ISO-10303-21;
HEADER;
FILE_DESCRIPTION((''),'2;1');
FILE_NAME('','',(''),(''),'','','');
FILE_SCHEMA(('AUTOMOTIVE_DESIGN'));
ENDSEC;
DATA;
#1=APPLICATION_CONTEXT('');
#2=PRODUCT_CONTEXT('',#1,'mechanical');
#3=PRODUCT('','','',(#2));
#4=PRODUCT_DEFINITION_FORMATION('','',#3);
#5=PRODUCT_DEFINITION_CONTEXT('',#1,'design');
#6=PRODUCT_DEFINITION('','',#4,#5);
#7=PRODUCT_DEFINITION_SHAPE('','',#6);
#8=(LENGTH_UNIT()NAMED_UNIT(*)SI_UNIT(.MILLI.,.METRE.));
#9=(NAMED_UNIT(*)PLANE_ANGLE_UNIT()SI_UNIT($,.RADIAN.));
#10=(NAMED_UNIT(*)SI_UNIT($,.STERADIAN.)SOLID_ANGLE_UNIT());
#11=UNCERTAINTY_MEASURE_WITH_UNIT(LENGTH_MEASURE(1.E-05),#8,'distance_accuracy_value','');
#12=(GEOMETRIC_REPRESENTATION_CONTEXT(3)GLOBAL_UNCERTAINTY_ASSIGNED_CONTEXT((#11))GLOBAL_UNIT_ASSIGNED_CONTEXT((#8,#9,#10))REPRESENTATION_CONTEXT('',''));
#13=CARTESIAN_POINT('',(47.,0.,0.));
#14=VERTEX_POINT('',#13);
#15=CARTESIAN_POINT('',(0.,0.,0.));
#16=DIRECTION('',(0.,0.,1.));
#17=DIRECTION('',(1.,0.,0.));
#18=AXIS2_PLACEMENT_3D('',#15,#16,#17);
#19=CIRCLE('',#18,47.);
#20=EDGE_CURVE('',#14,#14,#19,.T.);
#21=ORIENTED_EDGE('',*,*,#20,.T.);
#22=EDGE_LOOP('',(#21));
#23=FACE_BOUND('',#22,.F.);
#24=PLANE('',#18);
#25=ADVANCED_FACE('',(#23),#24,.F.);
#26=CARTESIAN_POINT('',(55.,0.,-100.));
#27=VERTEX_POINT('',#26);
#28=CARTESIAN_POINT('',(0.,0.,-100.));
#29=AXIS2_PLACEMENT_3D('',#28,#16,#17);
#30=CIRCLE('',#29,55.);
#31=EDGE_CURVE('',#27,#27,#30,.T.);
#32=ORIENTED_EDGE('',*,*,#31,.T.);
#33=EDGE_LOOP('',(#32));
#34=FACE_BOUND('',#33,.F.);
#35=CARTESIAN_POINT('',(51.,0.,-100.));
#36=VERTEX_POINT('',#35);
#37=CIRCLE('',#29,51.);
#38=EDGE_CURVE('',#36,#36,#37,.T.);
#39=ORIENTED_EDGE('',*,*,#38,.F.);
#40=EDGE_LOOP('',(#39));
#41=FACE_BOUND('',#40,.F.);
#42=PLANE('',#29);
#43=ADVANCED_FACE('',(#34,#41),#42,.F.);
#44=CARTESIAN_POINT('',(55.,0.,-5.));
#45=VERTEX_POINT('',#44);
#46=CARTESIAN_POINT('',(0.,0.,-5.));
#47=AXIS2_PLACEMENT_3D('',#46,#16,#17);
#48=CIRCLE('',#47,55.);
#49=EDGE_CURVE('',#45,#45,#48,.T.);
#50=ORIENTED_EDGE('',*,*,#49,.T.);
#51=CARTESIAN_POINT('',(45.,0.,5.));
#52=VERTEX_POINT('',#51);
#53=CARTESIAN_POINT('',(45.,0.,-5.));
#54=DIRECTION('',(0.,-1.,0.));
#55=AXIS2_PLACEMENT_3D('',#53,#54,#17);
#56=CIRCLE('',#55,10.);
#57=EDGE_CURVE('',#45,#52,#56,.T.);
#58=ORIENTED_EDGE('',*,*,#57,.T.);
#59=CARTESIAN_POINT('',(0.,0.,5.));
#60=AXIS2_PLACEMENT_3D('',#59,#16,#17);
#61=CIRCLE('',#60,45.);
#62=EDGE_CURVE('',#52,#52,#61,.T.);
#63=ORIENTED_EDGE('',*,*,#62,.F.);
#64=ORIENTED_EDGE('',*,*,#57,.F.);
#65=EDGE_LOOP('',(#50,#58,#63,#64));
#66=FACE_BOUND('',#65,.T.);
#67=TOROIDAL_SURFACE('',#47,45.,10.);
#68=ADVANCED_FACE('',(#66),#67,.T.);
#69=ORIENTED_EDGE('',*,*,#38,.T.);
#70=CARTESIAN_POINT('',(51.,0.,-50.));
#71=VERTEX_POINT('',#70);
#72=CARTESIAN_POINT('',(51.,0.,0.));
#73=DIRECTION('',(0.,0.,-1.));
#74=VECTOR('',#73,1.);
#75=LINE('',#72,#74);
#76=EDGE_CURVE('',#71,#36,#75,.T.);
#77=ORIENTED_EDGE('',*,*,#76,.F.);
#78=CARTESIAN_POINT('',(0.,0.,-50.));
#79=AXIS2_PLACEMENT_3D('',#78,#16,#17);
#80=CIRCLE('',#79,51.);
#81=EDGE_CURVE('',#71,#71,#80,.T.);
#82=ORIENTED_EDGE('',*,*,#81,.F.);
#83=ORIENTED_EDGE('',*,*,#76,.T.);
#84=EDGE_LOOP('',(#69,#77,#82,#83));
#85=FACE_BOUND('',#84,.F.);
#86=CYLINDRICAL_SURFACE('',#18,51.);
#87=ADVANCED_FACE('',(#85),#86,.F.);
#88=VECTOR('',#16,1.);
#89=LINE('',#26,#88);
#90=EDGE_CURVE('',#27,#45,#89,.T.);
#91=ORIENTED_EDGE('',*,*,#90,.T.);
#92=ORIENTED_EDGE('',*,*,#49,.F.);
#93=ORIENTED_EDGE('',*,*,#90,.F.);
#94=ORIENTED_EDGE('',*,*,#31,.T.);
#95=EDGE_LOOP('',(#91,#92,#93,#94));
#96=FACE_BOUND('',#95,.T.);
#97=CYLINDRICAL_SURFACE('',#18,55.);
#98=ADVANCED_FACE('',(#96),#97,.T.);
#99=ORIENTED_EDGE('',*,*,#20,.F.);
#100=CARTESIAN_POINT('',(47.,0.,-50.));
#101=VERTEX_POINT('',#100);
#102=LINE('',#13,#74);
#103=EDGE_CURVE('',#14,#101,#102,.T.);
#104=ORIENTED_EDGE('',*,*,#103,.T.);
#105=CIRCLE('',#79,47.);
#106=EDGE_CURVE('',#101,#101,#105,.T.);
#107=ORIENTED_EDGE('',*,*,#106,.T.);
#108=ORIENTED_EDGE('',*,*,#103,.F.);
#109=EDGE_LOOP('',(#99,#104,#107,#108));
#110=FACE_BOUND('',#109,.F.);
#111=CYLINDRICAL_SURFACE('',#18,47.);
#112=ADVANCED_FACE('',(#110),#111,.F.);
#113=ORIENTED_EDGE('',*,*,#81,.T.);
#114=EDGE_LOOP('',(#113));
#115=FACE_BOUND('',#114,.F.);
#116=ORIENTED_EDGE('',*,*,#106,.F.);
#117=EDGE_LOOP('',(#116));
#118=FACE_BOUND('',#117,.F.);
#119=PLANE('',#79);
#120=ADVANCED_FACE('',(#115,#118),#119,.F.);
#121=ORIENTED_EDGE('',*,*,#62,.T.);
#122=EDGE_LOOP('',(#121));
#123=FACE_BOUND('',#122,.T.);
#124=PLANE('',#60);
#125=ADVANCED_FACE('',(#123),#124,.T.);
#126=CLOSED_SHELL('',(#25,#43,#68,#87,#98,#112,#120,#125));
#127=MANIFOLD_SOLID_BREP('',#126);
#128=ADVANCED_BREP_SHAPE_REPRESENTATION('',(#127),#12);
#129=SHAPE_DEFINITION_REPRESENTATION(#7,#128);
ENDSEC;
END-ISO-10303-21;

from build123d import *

# Parameters (mm, degrees)
F0_R     = 55
F0_R_2   = 51
F0_R_3   = 47
F1_DEPTH = 5
F2_DEPTH = 50
F3_DEPTH = 100
F4_R     = 10


with BuildPart() as f1:
    # F0 (on Top) → F1 (new body)
    with BuildSketch(Plane.XY):
        Circle(F0_R)
        Circle(F0_R_2, mode=Mode.SUBTRACT)
        Circle(F0_R_2)
        Circle(F0_R_3, mode=Mode.SUBTRACT)
        Circle(F0_R_3)
    extrude(amount=F1_DEPTH)

    # F0 (on Top) → F2 (join)
    with BuildSketch(Plane.XY):
        Circle(F0_R_2)
        Circle(F0_R_3, mode=Mode.SUBTRACT)
    extrude(amount=-F2_DEPTH)

    # F0 (on Top) → F3 (join)
    with BuildSketch(Plane.XY):
        Circle(F0_R)
        Circle(F0_R_2, mode=Mode.SUBTRACT)
    extrude(amount=-F3_DEPTH)

    # F4
    f4_edges = [f1.edges().sort_by_distance(p)[0] for p in [
        (-55, 0, 5),
    ]]
    fillet(f4_edges, radius=F4_R)


solid = f1.part
